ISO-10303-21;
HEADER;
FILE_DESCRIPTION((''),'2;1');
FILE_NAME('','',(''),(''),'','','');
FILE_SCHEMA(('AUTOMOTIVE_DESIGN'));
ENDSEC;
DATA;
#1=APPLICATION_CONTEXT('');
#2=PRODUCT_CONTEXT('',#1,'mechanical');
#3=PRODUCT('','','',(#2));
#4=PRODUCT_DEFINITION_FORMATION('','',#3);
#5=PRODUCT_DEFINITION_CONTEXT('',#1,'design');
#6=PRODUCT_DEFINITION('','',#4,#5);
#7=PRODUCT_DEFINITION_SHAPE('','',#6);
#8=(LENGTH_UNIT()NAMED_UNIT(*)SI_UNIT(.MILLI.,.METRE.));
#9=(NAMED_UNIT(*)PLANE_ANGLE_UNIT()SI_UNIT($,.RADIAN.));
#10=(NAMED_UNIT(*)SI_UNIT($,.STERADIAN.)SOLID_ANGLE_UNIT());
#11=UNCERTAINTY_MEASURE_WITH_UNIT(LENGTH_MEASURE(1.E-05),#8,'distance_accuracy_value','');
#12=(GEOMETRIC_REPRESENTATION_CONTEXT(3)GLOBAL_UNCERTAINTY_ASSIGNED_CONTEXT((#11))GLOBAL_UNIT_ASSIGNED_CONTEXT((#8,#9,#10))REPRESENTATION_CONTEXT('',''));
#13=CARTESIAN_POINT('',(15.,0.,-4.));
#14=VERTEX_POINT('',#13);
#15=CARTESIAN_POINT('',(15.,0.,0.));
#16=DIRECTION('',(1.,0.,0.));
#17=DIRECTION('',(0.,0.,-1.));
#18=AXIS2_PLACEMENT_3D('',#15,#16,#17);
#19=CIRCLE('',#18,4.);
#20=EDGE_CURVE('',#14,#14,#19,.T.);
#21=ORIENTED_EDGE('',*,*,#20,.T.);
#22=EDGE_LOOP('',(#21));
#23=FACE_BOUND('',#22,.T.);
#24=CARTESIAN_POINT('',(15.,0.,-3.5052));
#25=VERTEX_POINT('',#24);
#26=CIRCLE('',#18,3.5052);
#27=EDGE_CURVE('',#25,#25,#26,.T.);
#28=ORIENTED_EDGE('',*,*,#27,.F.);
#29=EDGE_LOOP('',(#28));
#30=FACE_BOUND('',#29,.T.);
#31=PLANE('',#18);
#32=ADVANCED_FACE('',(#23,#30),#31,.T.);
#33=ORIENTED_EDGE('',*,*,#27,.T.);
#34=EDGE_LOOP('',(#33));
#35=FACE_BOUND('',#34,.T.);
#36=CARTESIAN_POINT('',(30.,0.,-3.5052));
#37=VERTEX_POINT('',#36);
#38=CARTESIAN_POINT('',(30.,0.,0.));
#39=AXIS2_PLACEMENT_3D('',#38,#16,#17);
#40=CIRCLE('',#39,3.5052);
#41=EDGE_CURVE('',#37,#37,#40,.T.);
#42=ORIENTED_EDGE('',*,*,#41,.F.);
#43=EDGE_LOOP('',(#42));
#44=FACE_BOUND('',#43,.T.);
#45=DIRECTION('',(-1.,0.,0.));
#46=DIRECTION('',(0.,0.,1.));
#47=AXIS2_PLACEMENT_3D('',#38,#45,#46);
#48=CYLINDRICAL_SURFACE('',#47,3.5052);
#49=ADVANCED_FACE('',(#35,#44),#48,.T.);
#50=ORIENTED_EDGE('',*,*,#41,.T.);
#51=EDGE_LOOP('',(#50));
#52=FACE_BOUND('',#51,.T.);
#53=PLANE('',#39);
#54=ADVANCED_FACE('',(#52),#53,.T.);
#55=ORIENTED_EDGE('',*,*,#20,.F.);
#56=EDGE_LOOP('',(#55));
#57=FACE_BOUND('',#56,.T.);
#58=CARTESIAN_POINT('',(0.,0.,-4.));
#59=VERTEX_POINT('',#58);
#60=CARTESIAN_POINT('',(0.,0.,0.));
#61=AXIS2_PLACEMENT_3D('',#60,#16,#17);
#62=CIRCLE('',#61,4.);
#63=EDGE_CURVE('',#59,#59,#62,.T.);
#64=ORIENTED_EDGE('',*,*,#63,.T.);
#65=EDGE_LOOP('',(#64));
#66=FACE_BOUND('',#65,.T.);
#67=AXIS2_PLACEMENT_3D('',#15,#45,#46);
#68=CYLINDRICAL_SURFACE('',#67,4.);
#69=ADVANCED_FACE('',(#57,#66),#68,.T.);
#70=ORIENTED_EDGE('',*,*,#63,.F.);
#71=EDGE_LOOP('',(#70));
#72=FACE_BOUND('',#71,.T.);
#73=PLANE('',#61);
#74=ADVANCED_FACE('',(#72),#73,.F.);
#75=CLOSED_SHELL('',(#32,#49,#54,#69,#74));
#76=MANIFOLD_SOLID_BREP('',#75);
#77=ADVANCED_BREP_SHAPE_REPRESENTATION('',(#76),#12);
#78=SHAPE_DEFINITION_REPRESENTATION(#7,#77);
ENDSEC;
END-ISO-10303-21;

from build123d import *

# Parameters (mm, degrees)
SKETCH1_R           = 4
BOSS_EXTRUDE1_DEPTH = 15
SKETCH4_R           = 3.5052
BOSS_EXTRUDE2_DEPTH = 15


with BuildPart() as part:
    # Sketch1 → Boss-Extrude1 (new body)
    with BuildSketch(Plane(origin=(0, 0, 0), x_dir=(0, 0, -1), z_dir=(1, 0, 0))):
        Circle(SKETCH1_R)
    extrude(amount=BOSS_EXTRUDE1_DEPTH)

    # Sketch4 → Boss-Extrude2 (add)
    with BuildSketch(Plane(origin=(15, 0, 0), x_dir=(0, 0, -1), z_dir=(1, 0, 0))):
        Circle(SKETCH4_R)
    extrude(amount=BOSS_EXTRUDE2_DEPTH)


solid = part.part
